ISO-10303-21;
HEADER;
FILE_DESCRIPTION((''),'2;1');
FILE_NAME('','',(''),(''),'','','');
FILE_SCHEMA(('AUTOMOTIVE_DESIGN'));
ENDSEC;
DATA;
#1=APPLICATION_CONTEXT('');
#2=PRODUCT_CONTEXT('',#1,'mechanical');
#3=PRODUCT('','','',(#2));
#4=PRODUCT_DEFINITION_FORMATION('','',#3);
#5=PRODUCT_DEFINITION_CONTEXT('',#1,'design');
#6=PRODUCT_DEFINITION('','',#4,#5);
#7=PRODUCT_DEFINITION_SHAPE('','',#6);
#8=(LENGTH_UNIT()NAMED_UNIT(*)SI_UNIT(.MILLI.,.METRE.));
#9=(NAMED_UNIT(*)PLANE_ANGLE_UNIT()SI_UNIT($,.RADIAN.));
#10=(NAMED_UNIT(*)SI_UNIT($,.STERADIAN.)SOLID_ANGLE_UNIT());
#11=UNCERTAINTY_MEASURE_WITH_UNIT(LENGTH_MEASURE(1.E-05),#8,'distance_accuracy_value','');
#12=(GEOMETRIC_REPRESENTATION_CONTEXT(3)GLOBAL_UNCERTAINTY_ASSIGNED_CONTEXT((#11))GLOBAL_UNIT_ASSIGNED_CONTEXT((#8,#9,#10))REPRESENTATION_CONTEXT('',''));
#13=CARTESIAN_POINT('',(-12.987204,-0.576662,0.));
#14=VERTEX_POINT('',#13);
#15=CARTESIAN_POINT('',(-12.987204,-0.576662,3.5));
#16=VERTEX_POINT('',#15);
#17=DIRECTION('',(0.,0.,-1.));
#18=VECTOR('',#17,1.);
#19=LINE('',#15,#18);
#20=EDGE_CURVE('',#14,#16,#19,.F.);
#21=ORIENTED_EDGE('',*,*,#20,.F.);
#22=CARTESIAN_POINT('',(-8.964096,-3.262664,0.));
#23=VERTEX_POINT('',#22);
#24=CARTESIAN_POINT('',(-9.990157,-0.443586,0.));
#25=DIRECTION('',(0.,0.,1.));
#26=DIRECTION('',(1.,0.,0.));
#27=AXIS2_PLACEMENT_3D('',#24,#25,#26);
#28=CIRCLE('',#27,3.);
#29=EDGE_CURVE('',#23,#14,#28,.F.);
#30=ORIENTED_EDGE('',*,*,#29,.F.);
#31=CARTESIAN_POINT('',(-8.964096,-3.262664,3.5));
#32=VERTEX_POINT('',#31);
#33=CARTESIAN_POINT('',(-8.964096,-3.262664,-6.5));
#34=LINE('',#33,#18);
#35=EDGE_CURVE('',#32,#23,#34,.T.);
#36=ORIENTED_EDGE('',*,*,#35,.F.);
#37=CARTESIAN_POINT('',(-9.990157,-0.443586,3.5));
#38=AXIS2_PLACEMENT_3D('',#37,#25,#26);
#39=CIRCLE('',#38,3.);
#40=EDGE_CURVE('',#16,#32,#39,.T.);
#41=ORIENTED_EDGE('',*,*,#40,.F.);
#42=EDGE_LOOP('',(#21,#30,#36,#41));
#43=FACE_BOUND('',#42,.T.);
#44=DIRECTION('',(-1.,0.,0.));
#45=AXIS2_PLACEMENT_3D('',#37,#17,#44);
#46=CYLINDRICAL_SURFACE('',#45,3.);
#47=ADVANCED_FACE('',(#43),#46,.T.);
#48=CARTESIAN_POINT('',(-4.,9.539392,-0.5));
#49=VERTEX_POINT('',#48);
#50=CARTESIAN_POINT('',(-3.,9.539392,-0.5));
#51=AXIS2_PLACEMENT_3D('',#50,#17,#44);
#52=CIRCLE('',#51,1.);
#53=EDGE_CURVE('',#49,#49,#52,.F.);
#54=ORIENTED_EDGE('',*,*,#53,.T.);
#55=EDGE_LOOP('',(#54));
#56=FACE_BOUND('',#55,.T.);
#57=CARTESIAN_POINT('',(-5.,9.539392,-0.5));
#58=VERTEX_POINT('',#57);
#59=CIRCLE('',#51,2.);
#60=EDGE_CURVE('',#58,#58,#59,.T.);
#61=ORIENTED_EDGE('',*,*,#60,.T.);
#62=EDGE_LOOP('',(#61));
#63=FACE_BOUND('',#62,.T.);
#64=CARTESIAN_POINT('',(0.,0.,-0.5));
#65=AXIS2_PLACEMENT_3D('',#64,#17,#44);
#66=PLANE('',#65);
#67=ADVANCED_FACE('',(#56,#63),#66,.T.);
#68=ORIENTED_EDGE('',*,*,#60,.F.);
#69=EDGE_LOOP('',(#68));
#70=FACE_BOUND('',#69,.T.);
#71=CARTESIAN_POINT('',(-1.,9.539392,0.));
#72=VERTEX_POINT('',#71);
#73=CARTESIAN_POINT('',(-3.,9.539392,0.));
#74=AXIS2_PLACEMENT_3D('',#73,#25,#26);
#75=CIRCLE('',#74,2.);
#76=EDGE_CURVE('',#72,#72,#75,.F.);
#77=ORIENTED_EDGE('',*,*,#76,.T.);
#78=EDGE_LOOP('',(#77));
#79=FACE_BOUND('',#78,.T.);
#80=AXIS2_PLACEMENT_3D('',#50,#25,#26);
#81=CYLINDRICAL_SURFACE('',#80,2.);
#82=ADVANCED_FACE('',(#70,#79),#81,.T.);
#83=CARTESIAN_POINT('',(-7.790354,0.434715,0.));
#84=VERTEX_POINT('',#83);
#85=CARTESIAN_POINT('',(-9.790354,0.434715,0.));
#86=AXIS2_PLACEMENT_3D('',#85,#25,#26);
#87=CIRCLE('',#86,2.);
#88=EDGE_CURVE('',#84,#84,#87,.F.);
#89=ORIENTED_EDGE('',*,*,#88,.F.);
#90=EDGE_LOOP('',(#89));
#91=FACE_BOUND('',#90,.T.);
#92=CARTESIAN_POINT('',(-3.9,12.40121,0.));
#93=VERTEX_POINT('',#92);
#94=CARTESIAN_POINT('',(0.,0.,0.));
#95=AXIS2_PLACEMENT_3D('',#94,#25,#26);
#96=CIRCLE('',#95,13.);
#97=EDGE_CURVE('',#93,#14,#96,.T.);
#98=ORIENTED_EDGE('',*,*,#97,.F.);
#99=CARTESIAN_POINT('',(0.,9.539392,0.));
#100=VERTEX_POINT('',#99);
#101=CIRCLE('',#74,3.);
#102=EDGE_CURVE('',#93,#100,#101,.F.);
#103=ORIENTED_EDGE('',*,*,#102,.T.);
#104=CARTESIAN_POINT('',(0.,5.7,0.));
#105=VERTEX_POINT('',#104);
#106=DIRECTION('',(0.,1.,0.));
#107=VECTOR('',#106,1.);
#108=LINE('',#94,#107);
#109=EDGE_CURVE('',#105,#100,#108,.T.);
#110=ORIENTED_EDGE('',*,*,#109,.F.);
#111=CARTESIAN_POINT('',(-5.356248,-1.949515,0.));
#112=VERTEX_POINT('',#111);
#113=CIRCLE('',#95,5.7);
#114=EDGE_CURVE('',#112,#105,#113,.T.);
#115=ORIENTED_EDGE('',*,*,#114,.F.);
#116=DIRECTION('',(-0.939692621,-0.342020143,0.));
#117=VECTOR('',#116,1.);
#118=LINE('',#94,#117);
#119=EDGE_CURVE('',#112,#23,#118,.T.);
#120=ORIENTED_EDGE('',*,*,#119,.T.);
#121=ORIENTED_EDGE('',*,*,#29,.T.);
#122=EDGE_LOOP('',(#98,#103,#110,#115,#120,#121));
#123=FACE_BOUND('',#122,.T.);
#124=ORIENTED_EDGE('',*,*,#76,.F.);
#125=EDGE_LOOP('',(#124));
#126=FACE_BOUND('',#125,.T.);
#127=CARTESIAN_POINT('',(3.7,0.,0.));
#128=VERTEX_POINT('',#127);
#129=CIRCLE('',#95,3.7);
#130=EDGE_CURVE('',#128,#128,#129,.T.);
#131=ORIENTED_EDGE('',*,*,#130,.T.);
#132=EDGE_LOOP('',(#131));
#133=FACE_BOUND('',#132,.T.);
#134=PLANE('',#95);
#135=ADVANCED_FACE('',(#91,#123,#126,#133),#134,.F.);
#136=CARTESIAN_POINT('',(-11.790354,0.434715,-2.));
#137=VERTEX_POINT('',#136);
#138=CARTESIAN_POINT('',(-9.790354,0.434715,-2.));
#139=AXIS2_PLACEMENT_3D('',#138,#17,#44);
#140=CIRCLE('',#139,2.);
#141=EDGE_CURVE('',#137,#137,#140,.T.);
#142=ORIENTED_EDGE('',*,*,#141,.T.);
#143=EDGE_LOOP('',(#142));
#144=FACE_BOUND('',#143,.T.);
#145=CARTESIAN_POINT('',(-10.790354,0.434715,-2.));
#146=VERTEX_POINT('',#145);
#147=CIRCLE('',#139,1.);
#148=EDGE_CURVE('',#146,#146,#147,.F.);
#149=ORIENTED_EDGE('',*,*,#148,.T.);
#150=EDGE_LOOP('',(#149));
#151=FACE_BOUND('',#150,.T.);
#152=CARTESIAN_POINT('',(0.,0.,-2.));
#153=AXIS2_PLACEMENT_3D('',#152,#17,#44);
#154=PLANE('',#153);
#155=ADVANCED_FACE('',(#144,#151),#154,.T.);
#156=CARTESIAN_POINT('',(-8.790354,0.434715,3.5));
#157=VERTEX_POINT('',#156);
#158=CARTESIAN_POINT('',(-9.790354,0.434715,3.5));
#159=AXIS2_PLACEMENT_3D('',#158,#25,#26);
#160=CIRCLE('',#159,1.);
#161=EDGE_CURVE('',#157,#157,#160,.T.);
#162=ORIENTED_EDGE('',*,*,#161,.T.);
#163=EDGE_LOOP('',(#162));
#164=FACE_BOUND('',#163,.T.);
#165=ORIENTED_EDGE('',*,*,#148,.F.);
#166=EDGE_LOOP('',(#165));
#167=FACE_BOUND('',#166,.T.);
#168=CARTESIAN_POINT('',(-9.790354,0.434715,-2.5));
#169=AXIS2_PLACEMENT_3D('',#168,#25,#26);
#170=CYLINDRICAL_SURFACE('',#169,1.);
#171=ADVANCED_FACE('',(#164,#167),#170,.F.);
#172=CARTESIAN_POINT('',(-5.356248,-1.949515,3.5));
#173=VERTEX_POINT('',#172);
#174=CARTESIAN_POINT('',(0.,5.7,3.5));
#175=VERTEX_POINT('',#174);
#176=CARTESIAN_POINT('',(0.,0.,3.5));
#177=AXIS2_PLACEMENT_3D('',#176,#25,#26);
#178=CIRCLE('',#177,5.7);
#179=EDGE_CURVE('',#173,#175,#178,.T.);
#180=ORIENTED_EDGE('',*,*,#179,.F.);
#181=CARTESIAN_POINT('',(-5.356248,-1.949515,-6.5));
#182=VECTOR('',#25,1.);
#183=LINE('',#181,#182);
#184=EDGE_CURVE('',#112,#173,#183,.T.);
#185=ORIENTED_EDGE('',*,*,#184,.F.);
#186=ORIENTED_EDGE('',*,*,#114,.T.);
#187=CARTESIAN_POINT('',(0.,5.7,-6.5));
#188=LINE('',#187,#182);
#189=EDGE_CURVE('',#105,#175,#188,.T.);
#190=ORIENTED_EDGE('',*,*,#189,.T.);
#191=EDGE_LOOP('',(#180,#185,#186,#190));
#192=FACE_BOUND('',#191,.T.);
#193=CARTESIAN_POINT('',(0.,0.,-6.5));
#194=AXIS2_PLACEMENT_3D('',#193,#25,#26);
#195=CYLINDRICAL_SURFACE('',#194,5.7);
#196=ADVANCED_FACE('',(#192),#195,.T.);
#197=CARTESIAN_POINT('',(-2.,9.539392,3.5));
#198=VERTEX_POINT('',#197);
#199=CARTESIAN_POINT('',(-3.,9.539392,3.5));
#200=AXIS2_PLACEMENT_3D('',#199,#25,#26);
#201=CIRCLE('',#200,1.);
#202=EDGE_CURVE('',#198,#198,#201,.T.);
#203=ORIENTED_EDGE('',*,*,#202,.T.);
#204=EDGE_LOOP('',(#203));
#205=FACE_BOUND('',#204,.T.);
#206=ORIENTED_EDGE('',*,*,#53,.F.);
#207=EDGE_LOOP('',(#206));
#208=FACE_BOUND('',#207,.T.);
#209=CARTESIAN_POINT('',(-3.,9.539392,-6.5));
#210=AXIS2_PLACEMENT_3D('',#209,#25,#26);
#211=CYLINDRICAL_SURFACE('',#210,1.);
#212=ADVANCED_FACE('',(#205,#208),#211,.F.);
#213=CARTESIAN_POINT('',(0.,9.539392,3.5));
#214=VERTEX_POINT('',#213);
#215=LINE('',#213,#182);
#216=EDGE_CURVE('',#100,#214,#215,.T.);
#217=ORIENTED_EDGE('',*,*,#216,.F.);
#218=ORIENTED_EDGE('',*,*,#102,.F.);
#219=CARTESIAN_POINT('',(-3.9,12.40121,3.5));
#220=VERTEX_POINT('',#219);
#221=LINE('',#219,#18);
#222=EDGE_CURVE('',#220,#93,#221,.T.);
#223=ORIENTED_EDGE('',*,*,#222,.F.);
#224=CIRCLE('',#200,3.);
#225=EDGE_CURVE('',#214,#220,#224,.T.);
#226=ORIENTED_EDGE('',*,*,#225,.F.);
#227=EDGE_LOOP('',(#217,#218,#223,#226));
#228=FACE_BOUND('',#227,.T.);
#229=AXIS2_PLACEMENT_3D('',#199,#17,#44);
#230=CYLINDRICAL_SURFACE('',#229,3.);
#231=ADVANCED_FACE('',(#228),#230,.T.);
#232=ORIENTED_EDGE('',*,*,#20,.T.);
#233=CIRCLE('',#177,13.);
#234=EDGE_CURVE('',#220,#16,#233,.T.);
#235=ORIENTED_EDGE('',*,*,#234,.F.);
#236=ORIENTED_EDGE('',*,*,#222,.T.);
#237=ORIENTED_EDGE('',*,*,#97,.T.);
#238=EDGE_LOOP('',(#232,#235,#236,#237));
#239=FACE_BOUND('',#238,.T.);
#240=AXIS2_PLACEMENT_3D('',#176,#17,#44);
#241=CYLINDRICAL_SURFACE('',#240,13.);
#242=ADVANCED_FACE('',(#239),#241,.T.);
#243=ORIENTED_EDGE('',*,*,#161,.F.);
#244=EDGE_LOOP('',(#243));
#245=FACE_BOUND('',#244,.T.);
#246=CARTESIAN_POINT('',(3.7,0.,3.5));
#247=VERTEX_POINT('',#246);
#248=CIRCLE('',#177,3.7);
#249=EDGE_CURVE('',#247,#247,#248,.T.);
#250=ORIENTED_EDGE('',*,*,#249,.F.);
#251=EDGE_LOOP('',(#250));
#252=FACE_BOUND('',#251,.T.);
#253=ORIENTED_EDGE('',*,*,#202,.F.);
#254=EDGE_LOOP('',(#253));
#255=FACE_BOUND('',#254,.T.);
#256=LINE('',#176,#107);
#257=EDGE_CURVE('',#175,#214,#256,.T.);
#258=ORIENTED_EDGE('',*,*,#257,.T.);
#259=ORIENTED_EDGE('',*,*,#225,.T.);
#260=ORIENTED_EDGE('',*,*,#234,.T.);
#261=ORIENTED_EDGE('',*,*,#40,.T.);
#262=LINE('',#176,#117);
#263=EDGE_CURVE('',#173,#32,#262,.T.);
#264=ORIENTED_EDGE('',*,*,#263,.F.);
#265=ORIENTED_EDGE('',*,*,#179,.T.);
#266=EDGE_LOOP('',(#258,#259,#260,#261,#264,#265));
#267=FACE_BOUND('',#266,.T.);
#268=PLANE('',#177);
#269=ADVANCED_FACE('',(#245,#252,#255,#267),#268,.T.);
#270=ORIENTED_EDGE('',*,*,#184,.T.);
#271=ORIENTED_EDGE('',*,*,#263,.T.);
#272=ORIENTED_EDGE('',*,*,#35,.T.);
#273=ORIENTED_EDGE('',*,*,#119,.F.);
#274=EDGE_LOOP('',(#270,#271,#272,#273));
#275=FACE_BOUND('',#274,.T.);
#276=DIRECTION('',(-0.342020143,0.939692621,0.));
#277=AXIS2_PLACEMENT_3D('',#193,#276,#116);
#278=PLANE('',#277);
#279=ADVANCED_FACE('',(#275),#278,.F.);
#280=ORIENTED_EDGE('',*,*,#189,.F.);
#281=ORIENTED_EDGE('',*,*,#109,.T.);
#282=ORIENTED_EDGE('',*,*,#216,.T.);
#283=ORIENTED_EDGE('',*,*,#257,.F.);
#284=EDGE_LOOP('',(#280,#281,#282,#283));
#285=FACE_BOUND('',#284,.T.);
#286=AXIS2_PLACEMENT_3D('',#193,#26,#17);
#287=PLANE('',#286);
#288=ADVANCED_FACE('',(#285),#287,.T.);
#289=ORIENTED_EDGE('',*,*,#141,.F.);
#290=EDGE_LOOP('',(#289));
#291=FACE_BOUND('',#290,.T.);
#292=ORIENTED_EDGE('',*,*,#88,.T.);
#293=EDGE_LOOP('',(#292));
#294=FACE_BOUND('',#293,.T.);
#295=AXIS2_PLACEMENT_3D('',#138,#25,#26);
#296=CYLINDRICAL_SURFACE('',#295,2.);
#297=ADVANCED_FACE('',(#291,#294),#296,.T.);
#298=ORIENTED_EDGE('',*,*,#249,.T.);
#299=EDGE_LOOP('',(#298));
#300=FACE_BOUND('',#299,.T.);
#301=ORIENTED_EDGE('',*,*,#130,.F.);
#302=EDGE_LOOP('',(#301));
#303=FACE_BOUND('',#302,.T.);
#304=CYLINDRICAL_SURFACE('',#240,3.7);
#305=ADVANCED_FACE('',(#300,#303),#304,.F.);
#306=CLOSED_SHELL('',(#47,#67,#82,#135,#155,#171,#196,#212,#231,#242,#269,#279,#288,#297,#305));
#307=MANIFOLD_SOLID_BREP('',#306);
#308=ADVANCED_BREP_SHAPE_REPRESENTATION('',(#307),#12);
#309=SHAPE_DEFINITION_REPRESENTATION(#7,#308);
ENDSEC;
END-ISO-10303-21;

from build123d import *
from build123d.topology import SkipClean

# Parameters (mm, degrees)
SKETCH1_R           = 13
SKETCH1_R_2         = 3.7
BOSS_EXTRUDE1_DEPTH = 3.5
CUT_EXTRUDE1_START  = -10
CUT_EXTRUDE1_DEPTH  = 10
SKETCH3_R           = 1
CUT_EXTRUDE2_DEPTH  = 10
SKETCH5_R           = 1
CUT_EXTRUDE3_DEPTH  = 6
FILLET1_R           = 3
SKETCH6_R           = 2
SKETCH6_R_2         = 1
BOSS_EXTRUDE2_DEPTH = 2
SKETCH6_3_R         = 2
SKETCH6_3_R_2       = 1
BOSS_EXTRUDE3_DEPTH = 0.5


with BuildPart() as part:
    # Sketch1 → Boss-Extrude1 (new body)
    with BuildSketch(Plane.XY):
        Circle(SKETCH1_R)
        Circle(SKETCH1_R_2, mode=Mode.SUBTRACT)
    extrude(amount=BOSS_EXTRUDE1_DEPTH)

    # Sketch2 → Cut-Extrude1 (cut)
    with BuildSketch(Plane.XY.offset(3.5).offset(CUT_EXTRUDE1_START)):
        with BuildLine():
            ThreePointArc((5.7, 0), (0.989794613, -5.613404192), (-5.356247938, -1.949514817))
            Line((-5.356247938, -1.949514817), (-12.21600407, -4.446261863))
            ThreePointArc((-12.21600407, -4.446261863), (2.25742631, -12.802500789), (13, 0))
            ThreePointArc((13, 0), (9.192388155, 9.192388155), (0, 13))
            Line((0, 13), (0, 5.7))
            ThreePointArc((0, 5.7), (4.030508653, 4.030508653), (5.7, 0))
        make_face()
    extrude(amount=CUT_EXTRUDE1_DEPTH, mode=Mode.SUBTRACT)

    # Sketch3 → Cut-Extrude2 (cut)
    with BuildSketch(Plane.XY.offset(3.5)):
        with Locations((-3, 9.539392014)):
            Circle(SKETCH3_R)
    extrude(amount=-CUT_EXTRUDE2_DEPTH, mode=Mode.SUBTRACT)

    # Sketch5 → Cut-Extrude3 (cut)
    with BuildSketch(Plane.XY.offset(3.5)):
        with Locations((-9.790353578, 0.434714634)):
            Circle(SKETCH5_R)
    extrude(amount=-CUT_EXTRUDE3_DEPTH, mode=Mode.SUBTRACT)

    # Fillet1
    fillet1_edges = [part.edges().sort_by_distance(p)[0] for p in [
        (-12.21600407, -4.446261863, 1.75),
        (0, 13, 1.75),
    ]]
    fillet(fillet1_edges, radius=FILLET1_R)

    # Sketch6 → Boss-Extrude2 (add)
    with SkipClean():  # the faces are left unmerged after this step: merging them gives an invalid solid
        with BuildSketch(Plane(origin=(0, 0, 0), x_dir=(-1, 0, 0), z_dir=(0, 0, -1))):
            with Locations((9.790353578, 0.434714634)):
                Circle(SKETCH6_R)
            with Locations((9.790353578, 0.434714634)):
                Circle(SKETCH6_R_2, mode=Mode.SUBTRACT)
        extrude(amount=BOSS_EXTRUDE2_DEPTH)

    # Sketch6<3> → Boss-Extrude3 (add)
    with SkipClean():  # the faces are left unmerged after this step: merging them gives an invalid solid
        with BuildSketch(Plane(origin=(0, 0, 0), x_dir=(-1, 0, 0), z_dir=(0, 0, -1))):
            with Locations((3, 9.539392014)):
                Circle(SKETCH6_3_R)
            with Locations((3, 9.539392014)):
                Circle(SKETCH6_3_R_2, mode=Mode.SUBTRACT)
        extrude(amount=BOSS_EXTRUDE3_DEPTH)


solid = part.part
